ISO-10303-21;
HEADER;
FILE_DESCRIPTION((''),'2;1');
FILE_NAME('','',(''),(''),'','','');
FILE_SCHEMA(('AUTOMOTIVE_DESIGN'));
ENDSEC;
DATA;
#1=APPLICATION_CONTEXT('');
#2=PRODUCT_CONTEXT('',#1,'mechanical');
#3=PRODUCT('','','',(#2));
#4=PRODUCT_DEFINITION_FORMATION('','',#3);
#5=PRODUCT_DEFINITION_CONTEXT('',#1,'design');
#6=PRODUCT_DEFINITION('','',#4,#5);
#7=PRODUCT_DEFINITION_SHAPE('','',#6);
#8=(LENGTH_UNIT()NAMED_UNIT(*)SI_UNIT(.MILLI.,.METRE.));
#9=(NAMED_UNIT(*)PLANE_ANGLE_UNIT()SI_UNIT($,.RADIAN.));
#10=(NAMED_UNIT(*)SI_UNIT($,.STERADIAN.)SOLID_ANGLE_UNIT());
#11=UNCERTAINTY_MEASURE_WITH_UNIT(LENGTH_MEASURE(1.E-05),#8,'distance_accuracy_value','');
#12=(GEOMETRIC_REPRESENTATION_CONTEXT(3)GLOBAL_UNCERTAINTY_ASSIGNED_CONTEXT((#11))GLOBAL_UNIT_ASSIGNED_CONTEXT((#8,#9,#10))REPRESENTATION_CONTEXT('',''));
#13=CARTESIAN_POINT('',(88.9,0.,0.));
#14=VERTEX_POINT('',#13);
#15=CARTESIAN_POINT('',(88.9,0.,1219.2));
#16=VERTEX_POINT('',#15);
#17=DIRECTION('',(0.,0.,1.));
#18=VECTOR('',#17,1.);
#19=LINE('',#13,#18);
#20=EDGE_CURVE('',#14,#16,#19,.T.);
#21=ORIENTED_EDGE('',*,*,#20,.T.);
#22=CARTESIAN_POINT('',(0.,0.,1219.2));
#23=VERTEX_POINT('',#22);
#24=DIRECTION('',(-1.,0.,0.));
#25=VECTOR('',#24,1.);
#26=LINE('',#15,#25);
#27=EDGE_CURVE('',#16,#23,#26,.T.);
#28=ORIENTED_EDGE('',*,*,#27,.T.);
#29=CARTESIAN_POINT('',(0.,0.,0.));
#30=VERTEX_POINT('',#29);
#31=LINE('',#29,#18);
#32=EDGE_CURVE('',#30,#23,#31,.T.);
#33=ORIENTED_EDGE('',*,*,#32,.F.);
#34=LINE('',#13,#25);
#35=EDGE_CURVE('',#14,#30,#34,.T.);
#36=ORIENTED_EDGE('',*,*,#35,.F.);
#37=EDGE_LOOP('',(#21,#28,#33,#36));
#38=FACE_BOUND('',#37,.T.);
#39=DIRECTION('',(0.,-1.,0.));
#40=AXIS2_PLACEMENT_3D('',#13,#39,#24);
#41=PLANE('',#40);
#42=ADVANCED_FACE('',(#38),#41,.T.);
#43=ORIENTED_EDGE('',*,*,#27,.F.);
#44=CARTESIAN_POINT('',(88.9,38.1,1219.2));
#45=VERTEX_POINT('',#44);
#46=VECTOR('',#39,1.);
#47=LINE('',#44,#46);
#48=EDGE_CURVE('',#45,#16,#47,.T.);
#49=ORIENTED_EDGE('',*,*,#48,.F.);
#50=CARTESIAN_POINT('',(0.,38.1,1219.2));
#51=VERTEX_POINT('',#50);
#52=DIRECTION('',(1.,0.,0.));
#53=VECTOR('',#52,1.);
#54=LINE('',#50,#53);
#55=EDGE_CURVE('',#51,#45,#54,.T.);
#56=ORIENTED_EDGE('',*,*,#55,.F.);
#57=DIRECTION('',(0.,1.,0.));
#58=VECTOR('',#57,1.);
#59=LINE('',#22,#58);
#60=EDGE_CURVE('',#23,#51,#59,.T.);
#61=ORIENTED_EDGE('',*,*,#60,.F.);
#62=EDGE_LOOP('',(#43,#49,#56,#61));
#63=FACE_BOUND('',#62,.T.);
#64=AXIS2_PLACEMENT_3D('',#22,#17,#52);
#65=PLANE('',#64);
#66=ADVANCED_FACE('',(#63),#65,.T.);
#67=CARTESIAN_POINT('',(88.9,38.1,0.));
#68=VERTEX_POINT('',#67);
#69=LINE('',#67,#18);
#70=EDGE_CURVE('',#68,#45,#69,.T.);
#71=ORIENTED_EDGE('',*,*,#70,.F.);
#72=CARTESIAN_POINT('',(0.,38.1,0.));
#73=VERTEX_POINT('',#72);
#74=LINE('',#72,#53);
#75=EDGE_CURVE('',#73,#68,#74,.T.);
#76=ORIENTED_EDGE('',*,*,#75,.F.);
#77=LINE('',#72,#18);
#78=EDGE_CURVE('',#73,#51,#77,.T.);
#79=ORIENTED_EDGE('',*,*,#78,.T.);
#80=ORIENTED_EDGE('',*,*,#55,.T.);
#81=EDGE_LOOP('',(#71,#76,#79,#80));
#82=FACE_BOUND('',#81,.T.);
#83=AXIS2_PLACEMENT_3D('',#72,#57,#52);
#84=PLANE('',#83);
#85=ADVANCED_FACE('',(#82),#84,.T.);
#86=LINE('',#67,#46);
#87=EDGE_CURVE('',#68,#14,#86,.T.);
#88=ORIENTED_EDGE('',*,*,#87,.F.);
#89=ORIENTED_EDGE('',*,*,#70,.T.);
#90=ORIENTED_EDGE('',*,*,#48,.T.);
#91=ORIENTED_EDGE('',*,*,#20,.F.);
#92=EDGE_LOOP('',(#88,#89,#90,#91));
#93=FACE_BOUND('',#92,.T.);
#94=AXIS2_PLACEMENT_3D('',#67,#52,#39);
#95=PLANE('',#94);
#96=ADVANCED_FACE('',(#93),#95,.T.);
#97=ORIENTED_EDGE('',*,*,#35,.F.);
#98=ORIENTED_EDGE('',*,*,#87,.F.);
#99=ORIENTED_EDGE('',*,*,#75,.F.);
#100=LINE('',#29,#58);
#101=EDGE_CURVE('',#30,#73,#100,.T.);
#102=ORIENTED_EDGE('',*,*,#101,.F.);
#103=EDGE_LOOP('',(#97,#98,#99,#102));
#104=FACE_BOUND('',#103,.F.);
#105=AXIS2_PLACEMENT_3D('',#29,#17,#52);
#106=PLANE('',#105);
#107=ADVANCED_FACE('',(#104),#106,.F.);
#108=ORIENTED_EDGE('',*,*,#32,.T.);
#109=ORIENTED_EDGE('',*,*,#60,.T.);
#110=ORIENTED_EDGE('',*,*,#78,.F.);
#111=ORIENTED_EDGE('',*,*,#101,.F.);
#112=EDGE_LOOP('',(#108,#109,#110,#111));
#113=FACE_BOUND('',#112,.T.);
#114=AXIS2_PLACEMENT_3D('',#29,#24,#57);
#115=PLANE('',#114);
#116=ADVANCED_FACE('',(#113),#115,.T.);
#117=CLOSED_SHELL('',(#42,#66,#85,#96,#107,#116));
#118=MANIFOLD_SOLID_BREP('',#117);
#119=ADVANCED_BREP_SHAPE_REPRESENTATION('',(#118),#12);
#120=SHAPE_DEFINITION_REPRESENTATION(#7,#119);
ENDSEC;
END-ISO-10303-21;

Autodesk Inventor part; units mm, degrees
ref_plane "YZ Plane" through (0, 0, 0) normal (1, 0, 0) x (0, 1, 0)
ref_plane "XZ Plane" through (0, 0, 0) normal (0, 1, 0) x (-1, 0, 0)
ref_plane "XY Plane" through (0, 0, 0) normal (0, 0, 1) x (1, 0, 0)
sketch "Sketch1" plane through (0, 0, 0) normal (0, 0, 1) x (1, 0, 0)
  line L0 (0, 0) -> (0, 38.1)
  line L1 (0, 38.1) -> (88.9, 38.1)
  line L2 (88.9, 38.1) -> (88.9, 0)
  line L3 (88.9, 0) -> (0, 0)
  dimension "d0" = 38.1
  dimension "d1" = 88.9
extrude "Extrusion1" add sketch "Sketch1" along normal blind 1219.2
properties part number "8ft 2x4"
